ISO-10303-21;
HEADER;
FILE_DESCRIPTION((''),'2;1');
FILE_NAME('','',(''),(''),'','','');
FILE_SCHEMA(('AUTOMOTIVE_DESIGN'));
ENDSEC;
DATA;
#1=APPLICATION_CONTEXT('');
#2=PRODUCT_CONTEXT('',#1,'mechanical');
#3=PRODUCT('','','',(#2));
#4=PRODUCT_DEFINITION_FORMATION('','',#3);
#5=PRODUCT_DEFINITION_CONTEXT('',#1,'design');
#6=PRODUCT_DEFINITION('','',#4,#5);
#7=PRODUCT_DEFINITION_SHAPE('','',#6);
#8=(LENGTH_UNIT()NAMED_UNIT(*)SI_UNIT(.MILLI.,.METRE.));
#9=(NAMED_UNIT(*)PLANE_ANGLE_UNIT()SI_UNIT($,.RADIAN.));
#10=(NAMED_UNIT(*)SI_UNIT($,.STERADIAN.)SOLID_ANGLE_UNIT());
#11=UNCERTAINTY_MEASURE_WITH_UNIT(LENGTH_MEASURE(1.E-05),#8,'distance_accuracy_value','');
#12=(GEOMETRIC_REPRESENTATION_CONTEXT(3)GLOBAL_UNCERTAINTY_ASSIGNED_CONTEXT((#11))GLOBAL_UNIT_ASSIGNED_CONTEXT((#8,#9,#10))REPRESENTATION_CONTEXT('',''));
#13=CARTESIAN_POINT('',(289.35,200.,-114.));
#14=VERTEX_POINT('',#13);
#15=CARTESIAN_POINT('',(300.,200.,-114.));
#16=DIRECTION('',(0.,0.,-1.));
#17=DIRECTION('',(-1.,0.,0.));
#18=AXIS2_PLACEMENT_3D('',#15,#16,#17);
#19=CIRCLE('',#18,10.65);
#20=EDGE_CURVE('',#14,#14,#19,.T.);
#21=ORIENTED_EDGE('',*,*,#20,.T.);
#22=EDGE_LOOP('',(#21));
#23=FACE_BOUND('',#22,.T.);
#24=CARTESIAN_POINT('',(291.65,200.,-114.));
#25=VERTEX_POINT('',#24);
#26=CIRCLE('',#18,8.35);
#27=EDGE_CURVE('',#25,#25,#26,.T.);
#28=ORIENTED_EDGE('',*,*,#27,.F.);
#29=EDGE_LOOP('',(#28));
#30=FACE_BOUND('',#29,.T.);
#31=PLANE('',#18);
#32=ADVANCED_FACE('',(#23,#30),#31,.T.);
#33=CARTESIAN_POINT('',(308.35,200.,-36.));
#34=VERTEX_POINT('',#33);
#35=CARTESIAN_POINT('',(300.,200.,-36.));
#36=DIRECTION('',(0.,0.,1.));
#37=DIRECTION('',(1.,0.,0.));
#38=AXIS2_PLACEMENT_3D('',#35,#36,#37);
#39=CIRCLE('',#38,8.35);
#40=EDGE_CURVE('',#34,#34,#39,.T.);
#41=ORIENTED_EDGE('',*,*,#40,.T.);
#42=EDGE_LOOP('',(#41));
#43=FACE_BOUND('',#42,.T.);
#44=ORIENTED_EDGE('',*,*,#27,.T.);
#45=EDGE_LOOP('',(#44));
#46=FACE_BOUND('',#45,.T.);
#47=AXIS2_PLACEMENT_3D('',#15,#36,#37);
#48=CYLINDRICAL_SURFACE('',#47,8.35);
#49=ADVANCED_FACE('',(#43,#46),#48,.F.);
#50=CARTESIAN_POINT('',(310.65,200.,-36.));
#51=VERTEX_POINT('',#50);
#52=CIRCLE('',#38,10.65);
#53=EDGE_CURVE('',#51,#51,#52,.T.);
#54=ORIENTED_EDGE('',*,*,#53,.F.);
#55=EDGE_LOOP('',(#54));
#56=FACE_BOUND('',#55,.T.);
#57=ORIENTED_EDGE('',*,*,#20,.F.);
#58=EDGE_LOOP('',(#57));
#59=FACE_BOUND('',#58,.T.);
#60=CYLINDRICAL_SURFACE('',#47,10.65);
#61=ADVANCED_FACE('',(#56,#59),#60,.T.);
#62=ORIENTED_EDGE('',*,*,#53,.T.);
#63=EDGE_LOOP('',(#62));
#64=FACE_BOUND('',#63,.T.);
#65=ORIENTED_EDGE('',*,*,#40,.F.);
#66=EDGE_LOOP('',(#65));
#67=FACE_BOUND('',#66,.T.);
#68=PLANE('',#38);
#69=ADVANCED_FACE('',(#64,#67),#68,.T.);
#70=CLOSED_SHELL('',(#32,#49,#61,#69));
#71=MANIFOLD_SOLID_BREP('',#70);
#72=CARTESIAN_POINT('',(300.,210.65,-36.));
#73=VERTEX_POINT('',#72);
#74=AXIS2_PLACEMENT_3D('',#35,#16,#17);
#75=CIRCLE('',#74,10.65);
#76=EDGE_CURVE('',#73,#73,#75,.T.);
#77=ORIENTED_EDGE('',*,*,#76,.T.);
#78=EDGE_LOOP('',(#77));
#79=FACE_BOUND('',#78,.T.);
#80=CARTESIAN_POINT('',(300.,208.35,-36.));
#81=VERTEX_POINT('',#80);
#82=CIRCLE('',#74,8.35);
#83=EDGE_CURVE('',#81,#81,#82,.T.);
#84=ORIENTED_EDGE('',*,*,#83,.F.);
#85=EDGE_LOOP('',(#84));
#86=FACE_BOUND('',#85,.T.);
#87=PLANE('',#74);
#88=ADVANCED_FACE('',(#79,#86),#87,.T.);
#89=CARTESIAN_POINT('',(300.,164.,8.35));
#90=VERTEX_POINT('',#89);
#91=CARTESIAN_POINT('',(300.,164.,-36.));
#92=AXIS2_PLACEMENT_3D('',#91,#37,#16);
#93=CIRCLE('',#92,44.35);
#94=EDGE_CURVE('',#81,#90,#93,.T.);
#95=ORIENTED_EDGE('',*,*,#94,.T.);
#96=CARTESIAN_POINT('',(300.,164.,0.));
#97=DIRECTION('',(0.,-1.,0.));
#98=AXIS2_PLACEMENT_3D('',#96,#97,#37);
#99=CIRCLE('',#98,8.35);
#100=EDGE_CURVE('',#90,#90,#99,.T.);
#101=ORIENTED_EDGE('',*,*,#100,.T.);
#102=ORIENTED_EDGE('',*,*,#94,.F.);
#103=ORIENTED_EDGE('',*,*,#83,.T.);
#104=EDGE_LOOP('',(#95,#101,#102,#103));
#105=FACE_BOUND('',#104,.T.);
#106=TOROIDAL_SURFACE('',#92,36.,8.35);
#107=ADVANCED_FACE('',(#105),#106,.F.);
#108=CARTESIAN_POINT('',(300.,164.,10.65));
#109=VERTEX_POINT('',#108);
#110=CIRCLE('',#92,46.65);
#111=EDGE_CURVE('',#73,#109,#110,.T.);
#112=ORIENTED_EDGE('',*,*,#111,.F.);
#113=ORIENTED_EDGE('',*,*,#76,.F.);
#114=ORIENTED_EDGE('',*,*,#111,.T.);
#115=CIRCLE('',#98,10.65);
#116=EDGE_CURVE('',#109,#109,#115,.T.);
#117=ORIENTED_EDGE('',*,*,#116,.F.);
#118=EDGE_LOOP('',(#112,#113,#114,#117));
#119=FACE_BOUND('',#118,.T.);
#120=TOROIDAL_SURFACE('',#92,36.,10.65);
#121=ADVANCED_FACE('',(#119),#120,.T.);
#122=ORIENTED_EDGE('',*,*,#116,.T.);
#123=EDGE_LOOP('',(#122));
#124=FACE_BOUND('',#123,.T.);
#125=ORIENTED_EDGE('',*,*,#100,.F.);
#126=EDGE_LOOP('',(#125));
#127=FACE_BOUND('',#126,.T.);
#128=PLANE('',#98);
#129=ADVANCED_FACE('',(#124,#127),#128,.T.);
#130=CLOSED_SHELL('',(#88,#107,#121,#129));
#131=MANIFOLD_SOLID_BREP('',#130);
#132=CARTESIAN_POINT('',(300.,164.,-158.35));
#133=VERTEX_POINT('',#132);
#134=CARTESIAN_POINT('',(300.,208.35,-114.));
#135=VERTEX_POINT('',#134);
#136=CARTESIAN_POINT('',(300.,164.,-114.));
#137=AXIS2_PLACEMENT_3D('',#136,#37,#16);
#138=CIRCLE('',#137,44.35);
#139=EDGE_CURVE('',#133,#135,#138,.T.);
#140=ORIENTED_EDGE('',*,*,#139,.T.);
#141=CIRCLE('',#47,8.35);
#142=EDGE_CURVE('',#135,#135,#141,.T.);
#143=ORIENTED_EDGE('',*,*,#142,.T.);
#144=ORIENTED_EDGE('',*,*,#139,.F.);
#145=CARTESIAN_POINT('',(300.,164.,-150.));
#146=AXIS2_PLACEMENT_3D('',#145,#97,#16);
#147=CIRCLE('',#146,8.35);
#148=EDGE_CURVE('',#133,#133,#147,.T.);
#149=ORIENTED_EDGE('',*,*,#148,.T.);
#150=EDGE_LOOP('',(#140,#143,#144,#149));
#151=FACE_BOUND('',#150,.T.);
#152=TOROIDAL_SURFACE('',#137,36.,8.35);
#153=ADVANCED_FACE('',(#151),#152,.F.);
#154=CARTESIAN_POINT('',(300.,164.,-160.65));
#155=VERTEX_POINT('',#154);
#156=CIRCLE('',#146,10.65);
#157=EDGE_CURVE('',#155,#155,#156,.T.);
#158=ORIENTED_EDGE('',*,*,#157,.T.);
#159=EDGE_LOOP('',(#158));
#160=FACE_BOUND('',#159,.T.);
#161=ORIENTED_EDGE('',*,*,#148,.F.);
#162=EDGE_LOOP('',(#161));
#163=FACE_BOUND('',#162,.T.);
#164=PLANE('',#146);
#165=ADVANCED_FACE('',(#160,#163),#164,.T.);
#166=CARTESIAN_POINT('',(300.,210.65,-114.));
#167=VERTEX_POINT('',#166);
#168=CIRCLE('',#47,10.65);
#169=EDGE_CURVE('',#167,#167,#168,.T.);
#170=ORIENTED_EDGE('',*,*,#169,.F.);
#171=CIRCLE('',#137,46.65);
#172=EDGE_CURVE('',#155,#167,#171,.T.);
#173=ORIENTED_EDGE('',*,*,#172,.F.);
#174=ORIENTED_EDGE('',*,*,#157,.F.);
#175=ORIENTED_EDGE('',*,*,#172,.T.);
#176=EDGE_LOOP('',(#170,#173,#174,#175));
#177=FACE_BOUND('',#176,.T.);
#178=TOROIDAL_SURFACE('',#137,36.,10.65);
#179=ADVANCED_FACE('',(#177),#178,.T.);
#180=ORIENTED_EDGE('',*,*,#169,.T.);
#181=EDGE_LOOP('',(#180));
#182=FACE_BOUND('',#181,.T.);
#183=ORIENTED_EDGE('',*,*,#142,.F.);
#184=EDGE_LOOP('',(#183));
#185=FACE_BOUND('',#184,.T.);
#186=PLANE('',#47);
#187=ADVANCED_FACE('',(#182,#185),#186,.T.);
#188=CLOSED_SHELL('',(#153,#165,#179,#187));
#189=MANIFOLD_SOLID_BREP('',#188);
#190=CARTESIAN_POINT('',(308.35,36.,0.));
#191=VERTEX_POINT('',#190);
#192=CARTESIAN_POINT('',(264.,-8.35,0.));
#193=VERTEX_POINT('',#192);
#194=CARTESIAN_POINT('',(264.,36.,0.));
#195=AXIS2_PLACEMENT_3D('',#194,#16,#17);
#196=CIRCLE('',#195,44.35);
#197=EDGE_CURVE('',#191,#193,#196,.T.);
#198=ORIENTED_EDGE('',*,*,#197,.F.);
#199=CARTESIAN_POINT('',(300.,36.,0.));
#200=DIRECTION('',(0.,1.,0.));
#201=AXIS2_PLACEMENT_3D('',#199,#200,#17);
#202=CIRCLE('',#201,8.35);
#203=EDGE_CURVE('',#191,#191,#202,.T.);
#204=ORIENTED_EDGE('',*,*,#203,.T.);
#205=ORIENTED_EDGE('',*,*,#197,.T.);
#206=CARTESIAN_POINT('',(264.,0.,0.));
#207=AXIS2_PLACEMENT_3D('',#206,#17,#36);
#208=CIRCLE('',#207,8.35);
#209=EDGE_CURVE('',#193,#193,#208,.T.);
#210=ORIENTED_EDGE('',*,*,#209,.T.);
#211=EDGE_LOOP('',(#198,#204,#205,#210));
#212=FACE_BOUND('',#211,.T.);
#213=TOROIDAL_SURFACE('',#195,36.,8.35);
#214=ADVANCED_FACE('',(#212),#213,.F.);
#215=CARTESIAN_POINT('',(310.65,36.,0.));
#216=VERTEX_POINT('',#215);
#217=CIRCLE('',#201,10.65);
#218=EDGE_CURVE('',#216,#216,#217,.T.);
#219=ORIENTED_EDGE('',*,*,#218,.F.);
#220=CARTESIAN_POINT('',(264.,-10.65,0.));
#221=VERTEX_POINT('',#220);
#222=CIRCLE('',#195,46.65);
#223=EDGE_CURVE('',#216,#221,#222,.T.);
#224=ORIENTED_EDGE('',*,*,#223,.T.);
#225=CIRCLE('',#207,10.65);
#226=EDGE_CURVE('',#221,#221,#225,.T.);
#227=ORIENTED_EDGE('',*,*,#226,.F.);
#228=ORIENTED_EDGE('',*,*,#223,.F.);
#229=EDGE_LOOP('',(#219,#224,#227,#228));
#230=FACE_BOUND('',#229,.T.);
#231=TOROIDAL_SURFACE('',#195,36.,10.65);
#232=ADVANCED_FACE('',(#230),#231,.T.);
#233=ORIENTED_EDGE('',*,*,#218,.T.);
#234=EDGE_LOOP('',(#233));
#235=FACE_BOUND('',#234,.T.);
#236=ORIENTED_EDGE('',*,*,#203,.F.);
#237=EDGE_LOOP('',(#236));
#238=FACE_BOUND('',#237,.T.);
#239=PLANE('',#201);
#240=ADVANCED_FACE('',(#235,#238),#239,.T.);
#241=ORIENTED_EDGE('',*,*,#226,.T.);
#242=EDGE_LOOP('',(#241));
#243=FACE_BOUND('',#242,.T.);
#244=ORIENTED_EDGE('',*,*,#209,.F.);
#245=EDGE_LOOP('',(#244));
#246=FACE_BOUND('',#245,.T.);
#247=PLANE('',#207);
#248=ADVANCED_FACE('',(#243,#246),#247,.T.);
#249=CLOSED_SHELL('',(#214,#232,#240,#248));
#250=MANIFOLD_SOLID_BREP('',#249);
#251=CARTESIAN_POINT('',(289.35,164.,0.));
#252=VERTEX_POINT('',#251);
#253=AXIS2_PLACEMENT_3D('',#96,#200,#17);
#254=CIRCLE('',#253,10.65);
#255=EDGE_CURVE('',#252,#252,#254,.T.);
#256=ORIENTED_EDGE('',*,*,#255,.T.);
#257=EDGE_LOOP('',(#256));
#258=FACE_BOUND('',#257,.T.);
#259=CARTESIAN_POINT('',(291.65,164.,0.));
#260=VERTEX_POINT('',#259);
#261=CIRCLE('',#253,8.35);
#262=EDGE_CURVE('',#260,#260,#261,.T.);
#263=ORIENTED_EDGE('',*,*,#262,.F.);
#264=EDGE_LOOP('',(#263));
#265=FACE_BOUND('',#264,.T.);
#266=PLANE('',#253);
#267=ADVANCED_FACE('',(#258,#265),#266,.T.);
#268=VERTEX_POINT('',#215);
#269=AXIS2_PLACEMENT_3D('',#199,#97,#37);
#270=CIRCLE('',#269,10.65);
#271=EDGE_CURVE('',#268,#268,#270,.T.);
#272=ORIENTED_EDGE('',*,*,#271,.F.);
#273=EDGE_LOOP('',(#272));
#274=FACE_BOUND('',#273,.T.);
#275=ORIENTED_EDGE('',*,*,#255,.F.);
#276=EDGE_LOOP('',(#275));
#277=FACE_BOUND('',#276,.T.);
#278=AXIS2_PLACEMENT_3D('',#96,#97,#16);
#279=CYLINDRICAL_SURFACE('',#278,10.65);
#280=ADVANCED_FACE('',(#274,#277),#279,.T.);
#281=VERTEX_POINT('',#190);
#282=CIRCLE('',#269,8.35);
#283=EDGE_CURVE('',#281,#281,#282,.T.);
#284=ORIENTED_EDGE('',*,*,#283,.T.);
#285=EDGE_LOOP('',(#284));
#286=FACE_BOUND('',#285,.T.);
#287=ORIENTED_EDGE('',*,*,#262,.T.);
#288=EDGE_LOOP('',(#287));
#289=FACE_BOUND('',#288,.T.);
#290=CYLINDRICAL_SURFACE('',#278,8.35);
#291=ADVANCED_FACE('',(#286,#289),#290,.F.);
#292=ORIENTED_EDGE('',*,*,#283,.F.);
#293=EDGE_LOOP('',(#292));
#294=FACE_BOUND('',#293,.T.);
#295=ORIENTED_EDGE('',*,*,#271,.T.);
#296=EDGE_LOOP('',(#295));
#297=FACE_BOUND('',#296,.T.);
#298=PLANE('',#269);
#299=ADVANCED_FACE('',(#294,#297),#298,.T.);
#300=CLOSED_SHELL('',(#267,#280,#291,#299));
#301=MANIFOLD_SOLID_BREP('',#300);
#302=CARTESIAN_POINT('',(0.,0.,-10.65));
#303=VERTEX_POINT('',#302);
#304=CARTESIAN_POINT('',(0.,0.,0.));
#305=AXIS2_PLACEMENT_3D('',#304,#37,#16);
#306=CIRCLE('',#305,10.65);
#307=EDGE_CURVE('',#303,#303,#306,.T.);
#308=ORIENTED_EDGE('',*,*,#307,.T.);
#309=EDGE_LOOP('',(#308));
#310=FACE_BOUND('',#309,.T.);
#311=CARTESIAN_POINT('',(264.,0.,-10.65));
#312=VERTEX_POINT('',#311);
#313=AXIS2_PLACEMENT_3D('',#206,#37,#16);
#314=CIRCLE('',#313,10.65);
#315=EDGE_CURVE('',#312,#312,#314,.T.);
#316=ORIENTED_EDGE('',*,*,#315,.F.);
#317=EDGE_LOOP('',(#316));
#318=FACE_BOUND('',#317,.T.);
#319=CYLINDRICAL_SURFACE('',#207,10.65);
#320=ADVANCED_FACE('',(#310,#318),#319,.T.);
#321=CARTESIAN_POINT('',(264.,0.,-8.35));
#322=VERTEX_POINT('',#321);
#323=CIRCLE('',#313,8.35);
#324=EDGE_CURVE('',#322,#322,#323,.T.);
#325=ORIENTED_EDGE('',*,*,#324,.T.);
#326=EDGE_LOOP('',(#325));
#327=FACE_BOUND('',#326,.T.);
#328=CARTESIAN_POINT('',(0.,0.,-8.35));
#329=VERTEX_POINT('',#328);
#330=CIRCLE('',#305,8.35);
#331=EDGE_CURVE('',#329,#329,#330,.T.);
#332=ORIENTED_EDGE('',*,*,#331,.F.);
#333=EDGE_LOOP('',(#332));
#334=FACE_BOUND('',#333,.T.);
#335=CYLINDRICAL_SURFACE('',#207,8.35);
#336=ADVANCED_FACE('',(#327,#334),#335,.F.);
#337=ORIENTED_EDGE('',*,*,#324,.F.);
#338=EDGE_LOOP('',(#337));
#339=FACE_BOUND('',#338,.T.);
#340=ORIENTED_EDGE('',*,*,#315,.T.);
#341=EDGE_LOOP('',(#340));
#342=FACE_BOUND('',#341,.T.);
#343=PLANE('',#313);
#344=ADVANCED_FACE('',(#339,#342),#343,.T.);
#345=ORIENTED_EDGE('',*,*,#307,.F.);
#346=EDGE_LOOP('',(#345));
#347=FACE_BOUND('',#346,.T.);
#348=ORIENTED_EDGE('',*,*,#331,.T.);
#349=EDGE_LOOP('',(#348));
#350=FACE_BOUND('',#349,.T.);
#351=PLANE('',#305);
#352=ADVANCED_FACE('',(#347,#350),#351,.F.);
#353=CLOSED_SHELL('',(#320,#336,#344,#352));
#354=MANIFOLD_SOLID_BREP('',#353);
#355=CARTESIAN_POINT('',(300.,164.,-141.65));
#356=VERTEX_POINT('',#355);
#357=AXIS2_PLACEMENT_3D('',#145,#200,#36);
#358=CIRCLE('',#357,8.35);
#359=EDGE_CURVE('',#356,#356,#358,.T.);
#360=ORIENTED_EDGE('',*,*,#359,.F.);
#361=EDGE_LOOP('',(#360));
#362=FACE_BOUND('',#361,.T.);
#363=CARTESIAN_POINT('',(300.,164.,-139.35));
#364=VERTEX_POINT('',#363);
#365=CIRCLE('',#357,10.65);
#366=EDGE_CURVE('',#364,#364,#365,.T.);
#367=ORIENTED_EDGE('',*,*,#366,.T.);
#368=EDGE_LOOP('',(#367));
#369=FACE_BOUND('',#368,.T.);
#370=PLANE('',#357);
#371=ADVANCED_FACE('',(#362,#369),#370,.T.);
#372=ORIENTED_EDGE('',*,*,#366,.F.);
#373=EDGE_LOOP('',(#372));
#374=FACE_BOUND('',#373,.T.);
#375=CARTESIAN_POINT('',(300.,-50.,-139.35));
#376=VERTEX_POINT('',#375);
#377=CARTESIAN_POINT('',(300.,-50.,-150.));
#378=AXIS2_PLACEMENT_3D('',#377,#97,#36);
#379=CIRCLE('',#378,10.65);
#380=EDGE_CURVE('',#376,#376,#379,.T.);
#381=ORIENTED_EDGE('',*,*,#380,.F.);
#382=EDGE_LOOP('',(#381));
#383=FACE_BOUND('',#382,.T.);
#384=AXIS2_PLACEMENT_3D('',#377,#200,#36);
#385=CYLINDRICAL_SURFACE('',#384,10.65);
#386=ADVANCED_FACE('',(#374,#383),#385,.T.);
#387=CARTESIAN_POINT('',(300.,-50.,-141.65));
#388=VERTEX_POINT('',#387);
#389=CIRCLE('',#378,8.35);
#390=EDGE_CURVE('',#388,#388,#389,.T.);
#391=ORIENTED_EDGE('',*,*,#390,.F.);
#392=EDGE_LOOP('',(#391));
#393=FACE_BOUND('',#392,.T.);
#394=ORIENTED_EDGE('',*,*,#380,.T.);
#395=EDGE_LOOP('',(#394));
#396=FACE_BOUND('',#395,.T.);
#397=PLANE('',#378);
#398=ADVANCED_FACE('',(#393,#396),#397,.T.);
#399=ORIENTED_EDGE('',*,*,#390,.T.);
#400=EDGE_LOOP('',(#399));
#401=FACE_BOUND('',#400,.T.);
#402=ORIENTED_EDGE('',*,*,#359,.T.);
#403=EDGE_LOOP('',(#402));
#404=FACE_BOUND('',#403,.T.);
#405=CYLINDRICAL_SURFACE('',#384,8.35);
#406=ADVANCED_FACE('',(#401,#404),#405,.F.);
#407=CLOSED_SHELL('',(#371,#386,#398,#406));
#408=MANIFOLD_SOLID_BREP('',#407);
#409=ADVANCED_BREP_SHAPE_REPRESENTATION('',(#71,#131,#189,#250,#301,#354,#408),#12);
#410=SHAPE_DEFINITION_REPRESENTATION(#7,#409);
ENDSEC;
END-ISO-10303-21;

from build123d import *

# Parameters (mm, degrees)
SKETCH1_R                 = 10.65
SKETCH1_R_2               = 8.35
ROHR_21_3_X_2_3_1_DEPTH   = 264
SKETCH1_ON_SEGMENT_2_R    = 10.65
SKETCH1_ON_SEGMENT_2_R_2  = 8.35
ROHR_21_3_X_2_3_1_2_ANGLE = 90
SKETCH1_ON_SEGMENT_3_R    = 10.65
SKETCH1_ON_SEGMENT_3_R_2  = 8.35
ROHR_21_3_X_2_3_1_3_DEPTH = 128
SKETCH1_ON_SEGMENT_4_R    = 10.65
SKETCH1_ON_SEGMENT_4_R_2  = 8.35
ROHR_21_3_X_2_3_1_4_ANGLE = 90
SKETCH1_ON_SEGMENT_5_R    = 10.65
SKETCH1_ON_SEGMENT_5_R_2  = 8.35
ROHR_21_3_X_2_3_1_5_DEPTH = 78
SKETCH1_ON_SEGMENT_6_R    = 10.65
SKETCH1_ON_SEGMENT_6_R_2  = 8.35
ROHR_21_3_X_2_3_1_6_ANGLE = 90
SKETCH1_ON_SEGMENT_7_R    = 10.65
SKETCH1_ON_SEGMENT_7_R_2  = 8.35
ROHR_21_3_X_2_3_1_7_DEPTH = 214


with BuildPart() as part:
    # Sketch1 → Rohr 21.3 X 2.3(1) (new body)
    with BuildSketch(Plane(origin=(0, 0, 0), x_dir=(0, 0, -1), z_dir=(1, 0, 0))):
        Circle(SKETCH1_R)
        Circle(SKETCH1_R_2, mode=Mode.SUBTRACT)
    extrude(amount=ROHR_21_3_X_2_3_1_DEPTH)


with BuildPart() as body_2:
    # Sketch1 on segment 2 (carried to the start of arc 2) → Rohr 21.3 X 2.3_1 2 (revolve)
    with BuildSketch(Plane(origin=(264, 0, 0), x_dir=(0, 0, -1), z_dir=(1, 0, 0))):
        Circle(SKETCH1_ON_SEGMENT_2_R)
        Circle(SKETCH1_ON_SEGMENT_2_R_2, mode=Mode.SUBTRACT)
    revolve(axis=Axis((264, 36, 0), (0, 0, 1)), revolution_arc=ROHR_21_3_X_2_3_1_2_ANGLE)


with BuildPart() as body_3:
    # Sketch1 on segment 3 (carried to segment 3) → Rohr 21.3 X 2.3_1 3 (new body)
    with BuildSketch(Plane(origin=(300, 36, 0), x_dir=(0, 0, -1), z_dir=(0, 1, 0))):
        Circle(SKETCH1_ON_SEGMENT_3_R)
        Circle(SKETCH1_ON_SEGMENT_3_R_2, mode=Mode.SUBTRACT)
    extrude(amount=ROHR_21_3_X_2_3_1_3_DEPTH)


with BuildPart() as body_4:
    # Sketch1 on segment 4 (carried to the start of arc 4) → Rohr 21.3 X 2.3_1 4 (revolve)
    with BuildSketch(Plane(origin=(300, 164, 0), x_dir=(0, 0, -1), z_dir=(0, 1, 0))):
        Circle(SKETCH1_ON_SEGMENT_4_R)
        Circle(SKETCH1_ON_SEGMENT_4_R_2, mode=Mode.SUBTRACT)
    revolve(axis=Axis((300, 164, -36), (-1, 0, 0)), revolution_arc=ROHR_21_3_X_2_3_1_4_ANGLE)


with BuildPart() as body_5:
    # Sketch1 on segment 5 (carried to segment 5) → Rohr 21.3 X 2.3_1 5 (new body)
    with BuildSketch(Plane(origin=(300, 200, -36), x_dir=(-1, 0, 0), z_dir=(0, 0, -1))):
        Circle(SKETCH1_ON_SEGMENT_5_R)
        Circle(SKETCH1_ON_SEGMENT_5_R_2, mode=Mode.SUBTRACT)
    extrude(amount=ROHR_21_3_X_2_3_1_5_DEPTH)


with BuildPart() as body_6:
    # Sketch1 on segment 6 (carried to the start of arc 6) → Rohr 21.3 X 2.3_1 6 (revolve)
    with BuildSketch(Plane(origin=(300, 200, -114), x_dir=(-1, 0, 0), z_dir=(0, 0, -1))):
        Circle(SKETCH1_ON_SEGMENT_6_R)
        Circle(SKETCH1_ON_SEGMENT_6_R_2, mode=Mode.SUBTRACT)
    revolve(axis=Axis((300, 164, -114), (-1, 0, 0)), revolution_arc=ROHR_21_3_X_2_3_1_6_ANGLE)


with BuildPart() as body_7:
    # Sketch1 on segment 7 (carried to segment 7) → Rohr 21.3 X 2.3_1 7 (new body)
    with BuildSketch(Plane(origin=(300, 164, -150), x_dir=(0, 0, -1), z_dir=(0, -1, 0))):
        Circle(SKETCH1_ON_SEGMENT_7_R)
        Circle(SKETCH1_ON_SEGMENT_7_R_2, mode=Mode.SUBTRACT)
    extrude(amount=ROHR_21_3_X_2_3_1_7_DEPTH)


solid = Compound([part.part, body_2.part, body_3.part, body_4.part, body_5.part, body_6.part, body_7.part])
